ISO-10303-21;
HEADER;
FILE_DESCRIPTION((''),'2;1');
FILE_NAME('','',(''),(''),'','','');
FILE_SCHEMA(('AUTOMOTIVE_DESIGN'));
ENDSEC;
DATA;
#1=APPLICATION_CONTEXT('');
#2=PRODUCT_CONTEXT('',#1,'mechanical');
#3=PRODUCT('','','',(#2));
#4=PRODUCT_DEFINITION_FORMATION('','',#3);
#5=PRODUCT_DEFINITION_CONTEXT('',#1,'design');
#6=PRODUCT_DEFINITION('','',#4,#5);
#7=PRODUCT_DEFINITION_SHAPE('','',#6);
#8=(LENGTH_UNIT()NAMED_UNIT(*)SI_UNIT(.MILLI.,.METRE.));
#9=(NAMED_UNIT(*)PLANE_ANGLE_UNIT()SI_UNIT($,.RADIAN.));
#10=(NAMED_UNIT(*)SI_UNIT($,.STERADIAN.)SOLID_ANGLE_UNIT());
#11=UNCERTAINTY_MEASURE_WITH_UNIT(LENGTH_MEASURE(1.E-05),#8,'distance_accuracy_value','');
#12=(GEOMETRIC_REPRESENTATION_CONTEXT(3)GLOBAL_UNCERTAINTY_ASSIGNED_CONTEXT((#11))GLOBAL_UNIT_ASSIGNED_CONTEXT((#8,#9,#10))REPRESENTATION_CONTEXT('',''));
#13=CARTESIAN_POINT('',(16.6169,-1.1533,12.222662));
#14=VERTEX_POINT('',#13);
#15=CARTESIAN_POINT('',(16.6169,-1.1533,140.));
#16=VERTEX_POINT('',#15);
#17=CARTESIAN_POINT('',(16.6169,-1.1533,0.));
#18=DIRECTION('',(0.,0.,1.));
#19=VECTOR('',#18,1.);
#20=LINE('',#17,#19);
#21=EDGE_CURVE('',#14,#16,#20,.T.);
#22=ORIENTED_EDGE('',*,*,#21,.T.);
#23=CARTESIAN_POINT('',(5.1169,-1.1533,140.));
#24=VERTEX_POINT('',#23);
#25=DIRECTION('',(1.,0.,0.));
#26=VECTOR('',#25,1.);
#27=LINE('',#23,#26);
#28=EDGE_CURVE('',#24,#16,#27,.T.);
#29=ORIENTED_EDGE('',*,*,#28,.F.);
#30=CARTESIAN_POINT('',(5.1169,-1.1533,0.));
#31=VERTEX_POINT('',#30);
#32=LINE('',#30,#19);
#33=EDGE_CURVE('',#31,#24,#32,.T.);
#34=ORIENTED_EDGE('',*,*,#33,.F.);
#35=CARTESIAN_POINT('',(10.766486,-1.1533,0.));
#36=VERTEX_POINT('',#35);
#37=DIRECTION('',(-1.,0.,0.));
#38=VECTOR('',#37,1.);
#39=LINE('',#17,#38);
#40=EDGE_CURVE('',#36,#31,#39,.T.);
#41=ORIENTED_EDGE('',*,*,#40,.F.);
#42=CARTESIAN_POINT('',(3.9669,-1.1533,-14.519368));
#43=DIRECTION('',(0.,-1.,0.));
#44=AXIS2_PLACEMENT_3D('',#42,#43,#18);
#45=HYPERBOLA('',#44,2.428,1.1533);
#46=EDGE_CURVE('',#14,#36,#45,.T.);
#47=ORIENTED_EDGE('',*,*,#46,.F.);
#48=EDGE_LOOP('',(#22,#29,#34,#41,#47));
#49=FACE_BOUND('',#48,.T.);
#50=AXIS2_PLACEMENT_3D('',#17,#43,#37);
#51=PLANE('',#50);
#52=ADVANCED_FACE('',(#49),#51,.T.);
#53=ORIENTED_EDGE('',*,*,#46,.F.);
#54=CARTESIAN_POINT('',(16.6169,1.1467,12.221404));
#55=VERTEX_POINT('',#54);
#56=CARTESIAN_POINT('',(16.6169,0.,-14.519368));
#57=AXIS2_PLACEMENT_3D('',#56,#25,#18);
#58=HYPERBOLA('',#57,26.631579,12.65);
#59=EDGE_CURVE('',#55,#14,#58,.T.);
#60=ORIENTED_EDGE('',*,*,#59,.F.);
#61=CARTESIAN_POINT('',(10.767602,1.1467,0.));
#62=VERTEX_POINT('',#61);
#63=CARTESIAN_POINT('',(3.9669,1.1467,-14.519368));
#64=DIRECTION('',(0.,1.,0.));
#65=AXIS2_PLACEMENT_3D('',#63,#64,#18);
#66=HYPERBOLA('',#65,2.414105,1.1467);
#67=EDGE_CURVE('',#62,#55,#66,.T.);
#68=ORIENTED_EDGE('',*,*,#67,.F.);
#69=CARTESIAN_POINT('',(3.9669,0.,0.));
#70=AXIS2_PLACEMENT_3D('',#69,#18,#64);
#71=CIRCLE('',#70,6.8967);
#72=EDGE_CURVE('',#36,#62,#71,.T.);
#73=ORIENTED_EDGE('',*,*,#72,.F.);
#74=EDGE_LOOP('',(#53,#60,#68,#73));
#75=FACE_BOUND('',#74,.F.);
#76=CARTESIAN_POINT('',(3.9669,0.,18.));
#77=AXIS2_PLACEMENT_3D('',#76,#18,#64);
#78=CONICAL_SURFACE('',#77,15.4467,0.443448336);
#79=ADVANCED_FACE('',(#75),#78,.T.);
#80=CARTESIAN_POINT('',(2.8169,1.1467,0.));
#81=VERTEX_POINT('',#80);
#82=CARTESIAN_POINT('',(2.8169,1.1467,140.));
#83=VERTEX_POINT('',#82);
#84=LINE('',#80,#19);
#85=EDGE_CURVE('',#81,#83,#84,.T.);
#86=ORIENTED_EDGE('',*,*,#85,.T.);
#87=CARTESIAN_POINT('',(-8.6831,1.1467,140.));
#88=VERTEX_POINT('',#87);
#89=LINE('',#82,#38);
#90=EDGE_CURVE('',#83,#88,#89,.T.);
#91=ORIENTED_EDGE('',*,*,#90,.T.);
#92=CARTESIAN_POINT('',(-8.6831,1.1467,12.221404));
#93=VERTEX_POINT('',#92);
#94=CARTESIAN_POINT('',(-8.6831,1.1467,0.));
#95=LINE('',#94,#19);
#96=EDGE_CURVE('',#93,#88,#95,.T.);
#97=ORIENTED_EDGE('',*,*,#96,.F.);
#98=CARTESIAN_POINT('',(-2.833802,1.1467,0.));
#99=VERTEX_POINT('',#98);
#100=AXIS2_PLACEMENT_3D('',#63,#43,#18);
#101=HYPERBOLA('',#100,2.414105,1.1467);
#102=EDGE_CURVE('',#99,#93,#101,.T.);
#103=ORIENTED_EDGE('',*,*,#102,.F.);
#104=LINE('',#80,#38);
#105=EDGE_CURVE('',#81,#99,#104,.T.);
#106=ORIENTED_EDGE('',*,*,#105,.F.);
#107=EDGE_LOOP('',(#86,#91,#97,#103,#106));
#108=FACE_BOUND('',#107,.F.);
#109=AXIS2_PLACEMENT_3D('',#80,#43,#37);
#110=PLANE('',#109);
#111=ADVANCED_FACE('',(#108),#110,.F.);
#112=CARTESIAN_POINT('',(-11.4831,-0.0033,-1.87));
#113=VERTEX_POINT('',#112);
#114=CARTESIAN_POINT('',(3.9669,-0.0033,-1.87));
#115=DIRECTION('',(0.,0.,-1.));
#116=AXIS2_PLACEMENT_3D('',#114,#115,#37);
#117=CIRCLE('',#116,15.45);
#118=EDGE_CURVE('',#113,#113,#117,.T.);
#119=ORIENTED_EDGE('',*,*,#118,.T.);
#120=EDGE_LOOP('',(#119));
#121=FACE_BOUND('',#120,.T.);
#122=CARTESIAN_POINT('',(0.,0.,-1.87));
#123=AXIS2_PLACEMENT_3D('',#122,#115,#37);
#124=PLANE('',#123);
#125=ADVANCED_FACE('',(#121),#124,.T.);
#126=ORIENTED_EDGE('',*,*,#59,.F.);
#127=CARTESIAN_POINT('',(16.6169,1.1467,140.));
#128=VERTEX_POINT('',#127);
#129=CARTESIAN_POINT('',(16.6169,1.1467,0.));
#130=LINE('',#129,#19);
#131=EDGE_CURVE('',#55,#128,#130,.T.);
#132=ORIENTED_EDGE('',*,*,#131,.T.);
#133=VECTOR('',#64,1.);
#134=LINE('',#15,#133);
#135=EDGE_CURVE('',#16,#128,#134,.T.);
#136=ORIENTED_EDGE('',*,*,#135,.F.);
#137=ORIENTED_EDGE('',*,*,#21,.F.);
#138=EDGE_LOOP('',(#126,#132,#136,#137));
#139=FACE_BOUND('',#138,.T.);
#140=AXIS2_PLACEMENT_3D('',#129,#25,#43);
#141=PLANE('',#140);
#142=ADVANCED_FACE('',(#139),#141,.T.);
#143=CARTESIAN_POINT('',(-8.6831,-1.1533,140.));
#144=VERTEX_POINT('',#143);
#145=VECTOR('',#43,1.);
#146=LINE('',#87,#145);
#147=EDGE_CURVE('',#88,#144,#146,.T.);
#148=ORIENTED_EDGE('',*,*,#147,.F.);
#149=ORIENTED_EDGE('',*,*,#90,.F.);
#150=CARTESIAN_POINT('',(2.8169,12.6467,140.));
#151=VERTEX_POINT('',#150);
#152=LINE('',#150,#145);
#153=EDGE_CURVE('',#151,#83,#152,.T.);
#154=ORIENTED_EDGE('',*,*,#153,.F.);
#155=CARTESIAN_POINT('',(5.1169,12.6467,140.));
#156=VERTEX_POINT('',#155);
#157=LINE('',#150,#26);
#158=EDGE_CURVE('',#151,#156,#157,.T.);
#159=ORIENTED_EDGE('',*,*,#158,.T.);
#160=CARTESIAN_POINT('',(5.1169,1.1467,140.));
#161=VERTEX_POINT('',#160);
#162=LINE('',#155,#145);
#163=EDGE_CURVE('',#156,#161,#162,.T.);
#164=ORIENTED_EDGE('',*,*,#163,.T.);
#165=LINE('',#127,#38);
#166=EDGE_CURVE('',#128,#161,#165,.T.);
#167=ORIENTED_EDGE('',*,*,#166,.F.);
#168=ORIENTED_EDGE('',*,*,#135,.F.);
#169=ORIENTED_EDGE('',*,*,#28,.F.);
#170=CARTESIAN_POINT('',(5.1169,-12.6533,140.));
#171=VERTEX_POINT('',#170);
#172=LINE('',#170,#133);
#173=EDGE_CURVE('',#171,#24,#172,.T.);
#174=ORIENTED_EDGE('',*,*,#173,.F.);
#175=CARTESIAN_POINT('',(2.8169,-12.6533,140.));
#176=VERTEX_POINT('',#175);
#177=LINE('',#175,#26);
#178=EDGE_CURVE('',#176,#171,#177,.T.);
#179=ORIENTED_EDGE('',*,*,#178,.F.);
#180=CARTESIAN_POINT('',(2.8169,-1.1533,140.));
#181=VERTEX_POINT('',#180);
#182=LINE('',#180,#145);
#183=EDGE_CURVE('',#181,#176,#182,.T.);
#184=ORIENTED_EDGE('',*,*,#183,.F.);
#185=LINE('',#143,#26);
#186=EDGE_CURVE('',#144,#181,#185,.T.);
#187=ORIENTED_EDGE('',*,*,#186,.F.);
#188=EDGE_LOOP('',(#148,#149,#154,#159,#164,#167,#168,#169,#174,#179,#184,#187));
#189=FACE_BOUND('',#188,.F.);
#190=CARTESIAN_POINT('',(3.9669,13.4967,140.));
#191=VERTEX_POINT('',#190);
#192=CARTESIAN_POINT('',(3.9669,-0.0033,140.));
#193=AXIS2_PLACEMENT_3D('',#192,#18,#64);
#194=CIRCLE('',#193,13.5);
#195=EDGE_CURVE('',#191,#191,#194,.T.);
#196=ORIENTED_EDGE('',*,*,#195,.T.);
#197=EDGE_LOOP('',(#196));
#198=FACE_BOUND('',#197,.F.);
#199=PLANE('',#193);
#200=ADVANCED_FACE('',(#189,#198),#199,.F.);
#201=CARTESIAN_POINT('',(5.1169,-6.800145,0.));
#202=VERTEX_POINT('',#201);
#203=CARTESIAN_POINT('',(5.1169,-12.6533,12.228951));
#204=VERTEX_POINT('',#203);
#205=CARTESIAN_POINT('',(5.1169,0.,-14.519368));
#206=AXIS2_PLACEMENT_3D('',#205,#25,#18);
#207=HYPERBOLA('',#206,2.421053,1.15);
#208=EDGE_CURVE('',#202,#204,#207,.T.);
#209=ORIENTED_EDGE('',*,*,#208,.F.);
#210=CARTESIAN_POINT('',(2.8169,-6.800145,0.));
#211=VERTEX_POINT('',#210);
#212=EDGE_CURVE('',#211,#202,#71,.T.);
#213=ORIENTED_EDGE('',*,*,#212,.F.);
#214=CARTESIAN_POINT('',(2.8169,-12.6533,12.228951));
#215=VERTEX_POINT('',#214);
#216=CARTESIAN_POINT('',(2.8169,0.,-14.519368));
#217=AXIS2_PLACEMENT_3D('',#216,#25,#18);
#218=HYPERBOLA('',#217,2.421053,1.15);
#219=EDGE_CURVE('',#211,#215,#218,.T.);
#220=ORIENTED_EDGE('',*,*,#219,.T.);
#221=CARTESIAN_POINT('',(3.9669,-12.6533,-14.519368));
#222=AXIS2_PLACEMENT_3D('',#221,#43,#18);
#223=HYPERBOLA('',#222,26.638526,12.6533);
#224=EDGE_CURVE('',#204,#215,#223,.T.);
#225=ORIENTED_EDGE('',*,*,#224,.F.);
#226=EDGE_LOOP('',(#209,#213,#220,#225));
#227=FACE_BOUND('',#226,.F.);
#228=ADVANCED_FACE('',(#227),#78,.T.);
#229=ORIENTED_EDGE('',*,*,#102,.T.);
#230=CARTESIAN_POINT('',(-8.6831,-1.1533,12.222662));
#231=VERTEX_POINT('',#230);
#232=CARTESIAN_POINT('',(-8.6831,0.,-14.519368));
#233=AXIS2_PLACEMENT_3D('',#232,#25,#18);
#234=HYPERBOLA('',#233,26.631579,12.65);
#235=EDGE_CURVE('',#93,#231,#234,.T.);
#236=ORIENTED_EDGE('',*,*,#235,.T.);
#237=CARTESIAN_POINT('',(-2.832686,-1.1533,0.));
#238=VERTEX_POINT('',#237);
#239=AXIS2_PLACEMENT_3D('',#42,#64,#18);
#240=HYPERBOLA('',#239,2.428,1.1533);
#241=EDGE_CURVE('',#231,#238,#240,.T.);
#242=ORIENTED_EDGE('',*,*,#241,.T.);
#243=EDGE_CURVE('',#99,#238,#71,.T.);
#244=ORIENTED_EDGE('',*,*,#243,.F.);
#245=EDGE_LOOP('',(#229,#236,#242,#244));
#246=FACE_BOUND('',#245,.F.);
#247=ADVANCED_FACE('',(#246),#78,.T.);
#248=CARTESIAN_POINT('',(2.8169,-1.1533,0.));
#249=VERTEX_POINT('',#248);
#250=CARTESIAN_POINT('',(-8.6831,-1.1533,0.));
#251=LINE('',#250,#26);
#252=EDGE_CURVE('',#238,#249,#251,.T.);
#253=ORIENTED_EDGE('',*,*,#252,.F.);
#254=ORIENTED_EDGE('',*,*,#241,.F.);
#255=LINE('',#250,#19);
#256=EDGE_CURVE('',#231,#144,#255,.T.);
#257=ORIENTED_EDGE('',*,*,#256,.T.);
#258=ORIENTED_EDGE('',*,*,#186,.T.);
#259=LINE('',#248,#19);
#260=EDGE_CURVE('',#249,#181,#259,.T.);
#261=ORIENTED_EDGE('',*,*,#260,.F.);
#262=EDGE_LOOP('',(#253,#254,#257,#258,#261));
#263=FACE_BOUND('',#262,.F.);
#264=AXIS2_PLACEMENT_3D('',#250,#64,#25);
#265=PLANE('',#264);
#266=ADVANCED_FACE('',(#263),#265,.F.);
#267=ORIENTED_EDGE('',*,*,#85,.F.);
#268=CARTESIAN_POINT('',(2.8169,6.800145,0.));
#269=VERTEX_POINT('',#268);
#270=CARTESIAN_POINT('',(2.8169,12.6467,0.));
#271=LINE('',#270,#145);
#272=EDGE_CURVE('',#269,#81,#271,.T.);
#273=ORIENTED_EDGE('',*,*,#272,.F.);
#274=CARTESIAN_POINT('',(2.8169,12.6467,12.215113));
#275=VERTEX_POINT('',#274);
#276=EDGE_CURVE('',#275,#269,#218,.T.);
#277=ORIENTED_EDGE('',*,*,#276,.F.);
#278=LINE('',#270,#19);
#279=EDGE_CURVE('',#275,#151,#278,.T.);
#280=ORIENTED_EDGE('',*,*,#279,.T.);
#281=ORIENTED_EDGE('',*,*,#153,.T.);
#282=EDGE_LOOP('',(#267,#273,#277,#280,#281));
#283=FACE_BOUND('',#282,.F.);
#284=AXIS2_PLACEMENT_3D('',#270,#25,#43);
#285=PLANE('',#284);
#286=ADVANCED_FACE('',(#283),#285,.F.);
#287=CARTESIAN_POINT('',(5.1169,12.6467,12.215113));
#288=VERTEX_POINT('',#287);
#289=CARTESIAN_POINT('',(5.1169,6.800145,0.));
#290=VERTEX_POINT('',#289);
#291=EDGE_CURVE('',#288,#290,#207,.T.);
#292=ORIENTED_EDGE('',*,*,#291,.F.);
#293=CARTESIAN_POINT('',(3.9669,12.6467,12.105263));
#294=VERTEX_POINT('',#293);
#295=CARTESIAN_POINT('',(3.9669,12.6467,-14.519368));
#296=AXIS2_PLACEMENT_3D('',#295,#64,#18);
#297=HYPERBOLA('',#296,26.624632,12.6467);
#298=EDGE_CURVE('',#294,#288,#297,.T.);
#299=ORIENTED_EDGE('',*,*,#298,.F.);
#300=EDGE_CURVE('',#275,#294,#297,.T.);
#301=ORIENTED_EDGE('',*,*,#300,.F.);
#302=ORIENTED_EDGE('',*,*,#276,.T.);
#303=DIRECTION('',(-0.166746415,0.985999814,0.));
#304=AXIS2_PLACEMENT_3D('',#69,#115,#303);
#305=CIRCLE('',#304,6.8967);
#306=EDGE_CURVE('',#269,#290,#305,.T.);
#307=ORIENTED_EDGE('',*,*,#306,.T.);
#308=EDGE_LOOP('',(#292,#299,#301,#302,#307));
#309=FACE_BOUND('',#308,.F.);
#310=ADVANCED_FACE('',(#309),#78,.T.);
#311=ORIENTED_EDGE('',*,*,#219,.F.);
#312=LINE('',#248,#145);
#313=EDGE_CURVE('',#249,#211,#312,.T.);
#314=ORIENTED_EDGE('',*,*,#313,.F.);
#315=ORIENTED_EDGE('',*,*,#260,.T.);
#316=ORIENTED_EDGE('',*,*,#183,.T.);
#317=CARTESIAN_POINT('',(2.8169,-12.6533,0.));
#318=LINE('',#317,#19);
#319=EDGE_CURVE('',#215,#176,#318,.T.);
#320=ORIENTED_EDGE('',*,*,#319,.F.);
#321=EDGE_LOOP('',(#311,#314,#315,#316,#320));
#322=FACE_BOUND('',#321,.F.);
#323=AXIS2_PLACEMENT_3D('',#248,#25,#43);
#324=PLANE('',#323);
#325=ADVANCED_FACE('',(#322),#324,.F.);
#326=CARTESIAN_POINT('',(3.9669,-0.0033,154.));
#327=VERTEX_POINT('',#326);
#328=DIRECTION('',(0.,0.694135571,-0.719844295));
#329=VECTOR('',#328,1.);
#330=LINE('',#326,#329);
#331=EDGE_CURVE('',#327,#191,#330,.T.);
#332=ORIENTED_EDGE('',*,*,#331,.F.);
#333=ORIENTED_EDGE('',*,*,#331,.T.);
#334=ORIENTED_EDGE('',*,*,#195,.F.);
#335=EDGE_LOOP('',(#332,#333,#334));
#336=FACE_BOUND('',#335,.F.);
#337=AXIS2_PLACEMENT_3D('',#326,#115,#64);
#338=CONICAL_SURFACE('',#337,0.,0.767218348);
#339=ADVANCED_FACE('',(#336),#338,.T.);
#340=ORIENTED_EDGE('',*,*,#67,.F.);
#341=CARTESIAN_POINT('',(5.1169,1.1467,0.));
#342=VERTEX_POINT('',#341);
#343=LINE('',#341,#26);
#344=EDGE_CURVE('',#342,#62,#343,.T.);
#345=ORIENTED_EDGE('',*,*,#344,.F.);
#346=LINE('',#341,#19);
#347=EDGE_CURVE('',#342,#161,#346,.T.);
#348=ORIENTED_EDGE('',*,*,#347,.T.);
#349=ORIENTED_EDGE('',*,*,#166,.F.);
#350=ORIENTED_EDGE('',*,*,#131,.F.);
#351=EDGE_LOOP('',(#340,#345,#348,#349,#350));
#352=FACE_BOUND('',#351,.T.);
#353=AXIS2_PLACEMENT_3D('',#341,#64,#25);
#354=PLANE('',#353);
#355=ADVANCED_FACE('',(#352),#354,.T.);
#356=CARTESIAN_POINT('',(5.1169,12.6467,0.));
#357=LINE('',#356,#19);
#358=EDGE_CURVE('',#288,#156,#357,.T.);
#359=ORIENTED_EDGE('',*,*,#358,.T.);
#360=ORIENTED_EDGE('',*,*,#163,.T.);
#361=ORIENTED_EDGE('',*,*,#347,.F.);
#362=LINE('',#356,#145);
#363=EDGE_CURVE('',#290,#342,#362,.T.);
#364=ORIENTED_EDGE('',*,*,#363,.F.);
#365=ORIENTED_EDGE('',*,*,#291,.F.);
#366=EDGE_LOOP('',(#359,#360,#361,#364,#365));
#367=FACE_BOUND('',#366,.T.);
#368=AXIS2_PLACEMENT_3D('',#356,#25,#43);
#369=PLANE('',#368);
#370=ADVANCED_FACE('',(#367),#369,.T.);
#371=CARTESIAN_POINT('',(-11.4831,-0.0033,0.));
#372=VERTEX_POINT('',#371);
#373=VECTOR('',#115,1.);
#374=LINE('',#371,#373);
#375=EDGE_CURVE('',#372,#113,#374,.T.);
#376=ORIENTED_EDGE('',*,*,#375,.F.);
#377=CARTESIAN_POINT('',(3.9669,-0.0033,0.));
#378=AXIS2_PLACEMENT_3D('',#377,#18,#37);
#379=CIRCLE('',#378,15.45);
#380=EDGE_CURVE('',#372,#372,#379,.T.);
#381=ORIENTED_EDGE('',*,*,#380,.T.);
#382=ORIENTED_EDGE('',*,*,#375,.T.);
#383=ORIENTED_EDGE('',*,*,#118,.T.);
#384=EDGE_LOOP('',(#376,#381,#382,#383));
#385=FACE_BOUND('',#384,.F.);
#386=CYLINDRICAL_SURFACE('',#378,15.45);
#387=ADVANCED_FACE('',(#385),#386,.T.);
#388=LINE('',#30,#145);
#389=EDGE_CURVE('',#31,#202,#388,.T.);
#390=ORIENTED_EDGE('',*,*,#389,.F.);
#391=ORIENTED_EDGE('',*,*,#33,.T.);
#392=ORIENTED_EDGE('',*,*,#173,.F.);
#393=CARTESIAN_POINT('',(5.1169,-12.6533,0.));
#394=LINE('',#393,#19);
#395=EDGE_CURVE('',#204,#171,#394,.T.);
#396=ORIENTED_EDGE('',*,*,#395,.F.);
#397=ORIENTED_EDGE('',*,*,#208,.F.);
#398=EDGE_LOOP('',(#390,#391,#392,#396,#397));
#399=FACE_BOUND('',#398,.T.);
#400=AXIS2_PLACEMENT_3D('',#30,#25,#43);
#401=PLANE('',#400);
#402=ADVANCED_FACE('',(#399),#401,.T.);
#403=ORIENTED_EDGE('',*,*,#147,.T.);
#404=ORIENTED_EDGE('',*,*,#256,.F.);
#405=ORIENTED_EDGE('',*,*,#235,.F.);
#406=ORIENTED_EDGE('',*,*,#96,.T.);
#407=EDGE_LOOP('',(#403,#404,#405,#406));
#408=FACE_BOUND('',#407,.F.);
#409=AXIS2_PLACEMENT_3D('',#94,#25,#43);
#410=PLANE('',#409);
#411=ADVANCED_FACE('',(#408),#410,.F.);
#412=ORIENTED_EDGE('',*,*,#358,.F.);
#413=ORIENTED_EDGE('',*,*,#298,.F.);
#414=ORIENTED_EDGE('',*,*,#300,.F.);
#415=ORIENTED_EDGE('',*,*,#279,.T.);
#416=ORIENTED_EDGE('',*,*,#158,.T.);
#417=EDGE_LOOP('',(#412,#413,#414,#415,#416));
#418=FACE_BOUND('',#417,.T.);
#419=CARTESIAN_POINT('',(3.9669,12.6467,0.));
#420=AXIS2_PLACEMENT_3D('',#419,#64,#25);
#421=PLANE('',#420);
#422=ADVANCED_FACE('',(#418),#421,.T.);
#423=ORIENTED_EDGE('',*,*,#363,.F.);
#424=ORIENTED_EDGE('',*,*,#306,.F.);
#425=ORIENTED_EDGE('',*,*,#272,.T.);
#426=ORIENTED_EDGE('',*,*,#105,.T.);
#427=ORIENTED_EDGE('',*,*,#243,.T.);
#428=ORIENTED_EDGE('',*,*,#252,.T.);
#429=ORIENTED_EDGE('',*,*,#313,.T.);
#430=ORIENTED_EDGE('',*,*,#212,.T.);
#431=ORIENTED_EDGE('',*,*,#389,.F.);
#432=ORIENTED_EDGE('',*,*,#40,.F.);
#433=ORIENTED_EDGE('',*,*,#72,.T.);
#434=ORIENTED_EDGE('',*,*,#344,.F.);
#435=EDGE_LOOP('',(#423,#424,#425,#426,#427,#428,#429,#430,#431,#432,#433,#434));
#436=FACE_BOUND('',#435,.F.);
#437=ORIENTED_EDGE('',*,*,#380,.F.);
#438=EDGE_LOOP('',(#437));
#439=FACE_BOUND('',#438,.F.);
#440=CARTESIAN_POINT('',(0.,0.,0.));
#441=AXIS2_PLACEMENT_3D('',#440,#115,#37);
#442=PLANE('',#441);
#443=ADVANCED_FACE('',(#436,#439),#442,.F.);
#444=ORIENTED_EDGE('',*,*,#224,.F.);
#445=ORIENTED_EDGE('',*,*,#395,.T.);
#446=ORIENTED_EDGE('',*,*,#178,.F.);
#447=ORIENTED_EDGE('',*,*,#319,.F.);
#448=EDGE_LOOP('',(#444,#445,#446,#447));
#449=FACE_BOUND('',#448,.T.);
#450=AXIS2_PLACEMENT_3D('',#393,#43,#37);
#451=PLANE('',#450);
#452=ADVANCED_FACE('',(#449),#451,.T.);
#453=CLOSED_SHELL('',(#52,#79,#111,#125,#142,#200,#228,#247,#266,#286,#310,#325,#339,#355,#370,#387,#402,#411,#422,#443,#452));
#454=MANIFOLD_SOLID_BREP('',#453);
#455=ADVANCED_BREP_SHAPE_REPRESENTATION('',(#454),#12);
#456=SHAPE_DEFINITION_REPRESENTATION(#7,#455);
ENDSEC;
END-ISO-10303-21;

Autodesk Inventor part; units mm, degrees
ref_plane "YZ Plane" through (0, 0, 0) normal (1, 0, 0) x (0, 1, 0)
ref_plane "XZ Plane" through (0, 0, 0) normal (0, 1, 0) x (-1, 0, 0)
ref_plane "XY Plane" through (0, 0, 0) normal (0, 0, 1) x (1, 0, 0)
sketch "Sketch1" plane through (0, 0, 0) normal (0, 0, 1) x (1, 0, 0)
  line L0 (3.9669, 12.6467) -> (5.1169, 12.6467)
  line L1 (5.1169, 12.6467) -> (5.1169, 1.1467)
  line L2 (5.1169, 1.1467) -> (16.6169, 1.1467)
  line L3 (16.6169, 1.1467) -> (16.6169, -1.1533)
  line L4 (16.6169, -1.1533) -> (5.1169, -1.1533)
  line L5 (5.1169, -1.1533) -> (5.1169, -12.6533)
  line L6 (5.1169, -12.6533) -> (3.9669, -12.6533)
  line L7 (3.9669, 12.6467) -> (2.8169, 12.6467)
  line L8 (2.8169, 12.6467) -> (2.8169, 1.1467)
  line L9 (2.8169, 1.1467) -> (-8.6831, 1.1467)
  line L10 (-8.6831, 1.1467) -> (-8.6831, -1.1533)
  line L11 (-8.6831, -1.1533) -> (2.8169, -1.1533)
  line L12 (2.8169, -1.1533) -> (2.8169, -12.6533)
  line L13 (2.8169, -12.6533) -> (3.9669, -12.6533)
  point P0 (0, 0)
  dimension "d0" = 1.15
  dimension "d1" = 2.3
  dimension "d2" = 11.5
  dimension "d3" = 11.5
  dimension "d4" = 11.5
  dimension "d5" = 11.5
  dimension "d6" = 1.15
extrude "Extrusion1" add sketch "Sketch1" along normal blind 140
ref_plane "Work Plane1" through (3.9669, 1.1467, 0) normal (-1, 0, 0) x (0, 0, 1)
sketch "Sketch4" plane through (3.9669, 1.1467, 0) normal (-1, 0, 0) x (0, 0, 1)
  line L0 (3.9669, 12.6467) -> (5.1169, 12.6467)
  line L1 (5.1169, 12.6467) -> (5.1169, 1.1467)
  line L2 (5.1169, 1.1467) -> (16.6169, 1.1467)
  line L3 (16.6169, 1.1467) -> (16.6169, -1.1533)
  line L4 (16.6169, -1.1533) -> (5.1169, -1.1533)
  line L5 (5.1169, -1.1533) -> (5.1169, -12.6533)
  line L6 (5.1169, -12.6533) -> (3.9669, -12.6533)
  line L7 (2.8169, 12.6467) -> (2.8169, 1.1467)
  line L8 (2.8169, 1.1467) -> (-8.6831, 1.1467)
  line L9 (-8.6831, 1.1467) -> (-8.6831, -1.1533)
  line L10 (-8.6831, -1.1533) -> (2.8169, -1.1533)
  line L11 (2.8169, -1.1533) -> (2.8169, -12.6533)
  line L12 (2.8169, -12.6533) -> (3.9669, -12.6533)
  line L13 (3.9669, 12.6467) -> (2.8169, 12.6467)
  line L14 (140, -13.8) -> (140, 11.5) projected
  line L15 (140, -13.6427) -> (140, -13.8) projected
  line L16 (140, -2.3) -> (140, -13.6427) projected
  line L17 (140, 0) -> (140, -2.3) projected
  line L18 (140, 11.3427) -> (140, 0) projected
  line L19 (140, 11.5) -> (140, 11.3427) projected
  line L20 (154, -1.15) -> (140, 12.35)
  line L21 (140, 11.3427) -> (140, 0) projected
  line L22 (154, -1.15) -> (140, -1.15)
  line L23 (140, 12.35) -> (140, -1.15)
  line L24 (154.6806, -1.15) -> (155.8888, -1.15)
  point P0 (0, -1.1467)
  point P1 (0, 0)
  point P2 (154, -1.15)
  dimension "d13" = 1.15
  dimension "d14" = 2.3
  dimension "d15" = 11.5
  dimension "d16" = 11.5
  dimension "d17" = 11.5
  dimension "d18" = 11.5
  dimension "d19" = 1.15
revolve "Revolution2" add sketch "Sketch4" angle 360 about axis through (3.9669, -0.0033, 154.6806) along (0, 0, 1) contours L14 L23 L20 L22
sketch "Sketch5" plane through (0, 0, 0) normal (0, 0, -1) x (-1, 0, 0)
  circle A0 centre (-3.9669, -0.0033) radius 13.5 projected
  circle A1 centre (-3.9669, -0.0033) radius 15.45
  point P0 (0, 0)
  dimension "d21" = 30.9
extrude "Extrusion2" add sketch "Sketch5" along normal blind 1.87 contours A0 | A1
sketch "Sketch6" plane through (3.9669, 1.1467, 0) normal (-1, 0, 0) x (0, 0, 1)
  line L0 (0, 11.5) -> (0, 0) projected
  line L1 (0, 11.5) -> (140, 11.5) projected
  line L2 (0, -1.1467) -> (5.329, -1.1467)
  line L3 (0, 14.3) -> (-1.87, 14.3) projected
  line L4 (0, 14.3) -> (0, 7.3)
  line L5 (0, 0) -> (0, 11.5) projected
  line L6 (0, 14.3) -> (18, 14.3)
  line L7 (18, 14.3) -> (0, 5.75)
  point P0 (0, 7.85)
  point P1 (12, 11.5)
  dimension "d27" = 7
revolve "Revolution3" cut sketch "Sketch6" angle 360 about axis through (3.9669, 0, 0) along (0, 0, 1)
properties part number "syringe inner"
